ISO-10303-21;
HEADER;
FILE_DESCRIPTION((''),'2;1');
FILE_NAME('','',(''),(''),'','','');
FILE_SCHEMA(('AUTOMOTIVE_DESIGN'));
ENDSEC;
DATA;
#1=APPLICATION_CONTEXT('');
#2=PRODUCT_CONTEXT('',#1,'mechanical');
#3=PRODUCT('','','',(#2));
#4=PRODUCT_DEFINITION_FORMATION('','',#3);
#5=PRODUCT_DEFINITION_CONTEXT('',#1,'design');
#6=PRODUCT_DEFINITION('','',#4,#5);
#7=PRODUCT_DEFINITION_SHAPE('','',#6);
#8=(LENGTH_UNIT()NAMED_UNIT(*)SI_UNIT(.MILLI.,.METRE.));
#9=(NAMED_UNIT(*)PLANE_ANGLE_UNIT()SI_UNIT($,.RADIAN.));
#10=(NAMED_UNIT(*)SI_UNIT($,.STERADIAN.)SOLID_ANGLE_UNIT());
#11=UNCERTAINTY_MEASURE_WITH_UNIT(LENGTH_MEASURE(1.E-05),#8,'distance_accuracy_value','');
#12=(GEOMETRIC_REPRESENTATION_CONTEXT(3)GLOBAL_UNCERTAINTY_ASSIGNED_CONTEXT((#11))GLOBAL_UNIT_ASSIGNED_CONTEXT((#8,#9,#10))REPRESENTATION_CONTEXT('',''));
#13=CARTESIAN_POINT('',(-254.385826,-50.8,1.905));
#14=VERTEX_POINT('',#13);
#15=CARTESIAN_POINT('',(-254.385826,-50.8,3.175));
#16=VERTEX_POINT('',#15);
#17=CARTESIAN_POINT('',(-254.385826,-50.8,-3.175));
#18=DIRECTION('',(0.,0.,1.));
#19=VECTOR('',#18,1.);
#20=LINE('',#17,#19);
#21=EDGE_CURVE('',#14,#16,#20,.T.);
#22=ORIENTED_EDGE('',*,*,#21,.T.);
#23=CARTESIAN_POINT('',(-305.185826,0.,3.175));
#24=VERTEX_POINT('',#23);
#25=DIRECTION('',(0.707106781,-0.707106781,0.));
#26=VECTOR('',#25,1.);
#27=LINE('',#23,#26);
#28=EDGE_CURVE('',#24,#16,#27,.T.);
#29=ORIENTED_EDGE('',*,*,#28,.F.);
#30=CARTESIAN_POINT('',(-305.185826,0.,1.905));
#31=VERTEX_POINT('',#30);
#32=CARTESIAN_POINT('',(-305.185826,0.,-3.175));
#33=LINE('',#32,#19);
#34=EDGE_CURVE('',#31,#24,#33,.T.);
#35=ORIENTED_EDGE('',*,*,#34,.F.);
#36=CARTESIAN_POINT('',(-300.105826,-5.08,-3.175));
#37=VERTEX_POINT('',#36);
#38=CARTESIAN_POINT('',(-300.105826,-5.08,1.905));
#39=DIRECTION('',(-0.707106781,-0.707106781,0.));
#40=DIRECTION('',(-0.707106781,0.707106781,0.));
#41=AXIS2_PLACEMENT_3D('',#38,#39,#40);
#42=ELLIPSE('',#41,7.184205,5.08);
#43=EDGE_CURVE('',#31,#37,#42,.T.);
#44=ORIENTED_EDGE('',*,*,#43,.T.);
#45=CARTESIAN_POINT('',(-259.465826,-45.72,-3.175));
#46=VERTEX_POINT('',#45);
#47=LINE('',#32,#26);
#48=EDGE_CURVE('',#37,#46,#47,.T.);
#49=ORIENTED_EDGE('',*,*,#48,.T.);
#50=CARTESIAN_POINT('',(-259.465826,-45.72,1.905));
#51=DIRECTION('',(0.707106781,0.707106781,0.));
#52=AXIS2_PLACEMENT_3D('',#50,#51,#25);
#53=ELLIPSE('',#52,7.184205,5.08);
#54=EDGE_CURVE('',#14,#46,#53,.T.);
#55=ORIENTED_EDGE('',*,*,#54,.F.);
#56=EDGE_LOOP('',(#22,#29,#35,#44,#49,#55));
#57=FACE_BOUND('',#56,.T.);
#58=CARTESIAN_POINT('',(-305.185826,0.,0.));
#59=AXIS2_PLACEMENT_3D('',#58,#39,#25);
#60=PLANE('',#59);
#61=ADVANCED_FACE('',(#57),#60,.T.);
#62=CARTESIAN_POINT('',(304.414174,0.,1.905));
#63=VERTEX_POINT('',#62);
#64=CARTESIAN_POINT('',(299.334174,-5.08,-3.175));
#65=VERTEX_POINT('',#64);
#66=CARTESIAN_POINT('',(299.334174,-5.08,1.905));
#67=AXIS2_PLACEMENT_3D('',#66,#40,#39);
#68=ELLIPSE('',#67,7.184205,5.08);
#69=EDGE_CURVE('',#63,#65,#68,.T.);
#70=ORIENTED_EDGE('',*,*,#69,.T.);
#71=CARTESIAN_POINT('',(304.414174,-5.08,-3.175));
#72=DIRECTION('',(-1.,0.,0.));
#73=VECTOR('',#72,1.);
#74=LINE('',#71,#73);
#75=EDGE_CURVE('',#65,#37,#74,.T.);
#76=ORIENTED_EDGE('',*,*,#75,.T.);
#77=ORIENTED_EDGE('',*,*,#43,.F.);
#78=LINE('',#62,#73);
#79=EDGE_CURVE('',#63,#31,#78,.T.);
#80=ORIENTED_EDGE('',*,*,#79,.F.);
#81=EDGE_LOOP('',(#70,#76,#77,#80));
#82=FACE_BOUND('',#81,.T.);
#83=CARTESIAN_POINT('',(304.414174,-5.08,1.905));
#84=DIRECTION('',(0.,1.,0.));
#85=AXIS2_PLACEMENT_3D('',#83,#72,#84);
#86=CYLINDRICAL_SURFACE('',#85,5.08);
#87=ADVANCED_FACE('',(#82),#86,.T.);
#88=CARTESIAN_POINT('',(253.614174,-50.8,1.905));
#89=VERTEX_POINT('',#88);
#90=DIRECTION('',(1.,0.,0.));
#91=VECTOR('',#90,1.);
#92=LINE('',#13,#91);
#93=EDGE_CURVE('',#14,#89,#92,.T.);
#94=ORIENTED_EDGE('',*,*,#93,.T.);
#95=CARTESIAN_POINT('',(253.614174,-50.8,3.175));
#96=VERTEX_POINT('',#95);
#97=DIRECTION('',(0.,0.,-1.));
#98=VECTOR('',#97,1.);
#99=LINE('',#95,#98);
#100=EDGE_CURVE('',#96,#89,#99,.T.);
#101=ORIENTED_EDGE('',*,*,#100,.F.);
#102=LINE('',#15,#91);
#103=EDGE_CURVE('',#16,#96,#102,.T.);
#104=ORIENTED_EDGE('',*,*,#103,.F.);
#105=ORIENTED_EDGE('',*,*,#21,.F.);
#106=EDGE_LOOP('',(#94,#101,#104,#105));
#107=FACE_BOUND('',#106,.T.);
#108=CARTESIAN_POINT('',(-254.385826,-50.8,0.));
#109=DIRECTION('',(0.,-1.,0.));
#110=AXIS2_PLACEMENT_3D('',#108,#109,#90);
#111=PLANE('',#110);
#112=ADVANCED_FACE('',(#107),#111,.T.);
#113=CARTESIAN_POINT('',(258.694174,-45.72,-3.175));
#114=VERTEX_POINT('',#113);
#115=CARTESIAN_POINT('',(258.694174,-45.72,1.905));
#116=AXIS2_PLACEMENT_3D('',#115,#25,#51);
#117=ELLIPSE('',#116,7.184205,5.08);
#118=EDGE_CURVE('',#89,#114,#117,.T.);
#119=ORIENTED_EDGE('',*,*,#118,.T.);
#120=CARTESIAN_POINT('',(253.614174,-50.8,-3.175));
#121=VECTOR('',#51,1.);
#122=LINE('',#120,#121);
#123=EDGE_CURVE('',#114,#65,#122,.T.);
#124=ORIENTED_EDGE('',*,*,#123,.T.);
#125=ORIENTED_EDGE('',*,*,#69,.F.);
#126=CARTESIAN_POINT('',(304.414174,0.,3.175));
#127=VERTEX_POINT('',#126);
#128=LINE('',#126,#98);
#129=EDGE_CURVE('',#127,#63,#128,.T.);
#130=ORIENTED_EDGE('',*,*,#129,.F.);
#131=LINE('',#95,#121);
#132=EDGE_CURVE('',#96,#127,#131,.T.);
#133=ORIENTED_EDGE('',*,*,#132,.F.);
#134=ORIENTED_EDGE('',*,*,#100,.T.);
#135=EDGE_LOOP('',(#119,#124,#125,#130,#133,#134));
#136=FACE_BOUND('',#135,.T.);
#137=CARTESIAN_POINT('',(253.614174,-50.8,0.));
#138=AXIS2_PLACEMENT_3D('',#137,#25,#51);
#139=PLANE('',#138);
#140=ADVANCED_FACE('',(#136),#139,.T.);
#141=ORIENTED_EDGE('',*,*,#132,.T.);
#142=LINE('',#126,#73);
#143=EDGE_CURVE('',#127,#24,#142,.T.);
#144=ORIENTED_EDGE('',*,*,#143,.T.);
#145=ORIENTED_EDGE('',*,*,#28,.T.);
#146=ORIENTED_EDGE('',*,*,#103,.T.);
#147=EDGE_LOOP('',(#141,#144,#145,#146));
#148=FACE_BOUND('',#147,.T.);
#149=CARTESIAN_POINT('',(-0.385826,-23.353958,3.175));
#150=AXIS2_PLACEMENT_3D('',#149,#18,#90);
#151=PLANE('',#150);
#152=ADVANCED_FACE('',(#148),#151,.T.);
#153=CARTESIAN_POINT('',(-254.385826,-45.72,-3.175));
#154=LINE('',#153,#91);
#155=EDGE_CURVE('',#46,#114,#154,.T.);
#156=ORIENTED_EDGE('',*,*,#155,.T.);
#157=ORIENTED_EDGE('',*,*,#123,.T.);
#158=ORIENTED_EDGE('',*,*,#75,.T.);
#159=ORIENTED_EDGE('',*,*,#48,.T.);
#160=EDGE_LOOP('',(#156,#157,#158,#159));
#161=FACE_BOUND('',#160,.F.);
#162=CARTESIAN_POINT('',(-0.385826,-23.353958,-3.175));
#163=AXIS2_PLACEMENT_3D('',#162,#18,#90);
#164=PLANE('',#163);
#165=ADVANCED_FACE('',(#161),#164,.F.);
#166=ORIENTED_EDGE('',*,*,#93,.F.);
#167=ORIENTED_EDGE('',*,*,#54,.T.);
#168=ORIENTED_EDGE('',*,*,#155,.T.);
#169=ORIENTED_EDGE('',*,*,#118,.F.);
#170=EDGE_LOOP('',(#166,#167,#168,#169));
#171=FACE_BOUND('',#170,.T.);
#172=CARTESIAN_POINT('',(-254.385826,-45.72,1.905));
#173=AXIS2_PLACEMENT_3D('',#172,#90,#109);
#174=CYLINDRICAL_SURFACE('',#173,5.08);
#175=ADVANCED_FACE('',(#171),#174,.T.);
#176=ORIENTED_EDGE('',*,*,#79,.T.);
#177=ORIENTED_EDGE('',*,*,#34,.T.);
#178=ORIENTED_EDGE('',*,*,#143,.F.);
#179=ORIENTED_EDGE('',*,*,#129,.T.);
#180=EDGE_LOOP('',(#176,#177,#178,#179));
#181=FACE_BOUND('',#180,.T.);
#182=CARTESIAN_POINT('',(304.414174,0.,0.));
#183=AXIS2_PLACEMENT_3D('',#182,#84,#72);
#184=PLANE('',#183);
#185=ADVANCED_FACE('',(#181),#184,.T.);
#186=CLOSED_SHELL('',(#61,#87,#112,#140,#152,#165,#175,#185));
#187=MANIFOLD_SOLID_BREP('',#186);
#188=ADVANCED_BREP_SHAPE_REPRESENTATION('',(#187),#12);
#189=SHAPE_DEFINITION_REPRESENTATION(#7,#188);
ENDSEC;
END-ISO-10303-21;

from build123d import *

# Parameters (mm, degrees)
F1_DEPTH = 3.175
F2_R     = 5.08


with BuildPart() as f1:
    # F0 (on Top) → F1 (new body, symmetric)
    with BuildSketch(Plane.XY):
        Polygon((304.414174, 0), (-305.185826, 0), (-254.385826, -50.8), (253.614174, -50.8), align=None)
    extrude(amount=F1_DEPTH, both=True)

    # F2
    f2_edges = [f1.edges().sort_by_distance(p)[0] for p in [
        (-0.385826, -50.8, -3.175),
        (-0.385826, 0, -3.175),
    ]]
    fillet(f2_edges, radius=F2_R)


solid = f1.part
